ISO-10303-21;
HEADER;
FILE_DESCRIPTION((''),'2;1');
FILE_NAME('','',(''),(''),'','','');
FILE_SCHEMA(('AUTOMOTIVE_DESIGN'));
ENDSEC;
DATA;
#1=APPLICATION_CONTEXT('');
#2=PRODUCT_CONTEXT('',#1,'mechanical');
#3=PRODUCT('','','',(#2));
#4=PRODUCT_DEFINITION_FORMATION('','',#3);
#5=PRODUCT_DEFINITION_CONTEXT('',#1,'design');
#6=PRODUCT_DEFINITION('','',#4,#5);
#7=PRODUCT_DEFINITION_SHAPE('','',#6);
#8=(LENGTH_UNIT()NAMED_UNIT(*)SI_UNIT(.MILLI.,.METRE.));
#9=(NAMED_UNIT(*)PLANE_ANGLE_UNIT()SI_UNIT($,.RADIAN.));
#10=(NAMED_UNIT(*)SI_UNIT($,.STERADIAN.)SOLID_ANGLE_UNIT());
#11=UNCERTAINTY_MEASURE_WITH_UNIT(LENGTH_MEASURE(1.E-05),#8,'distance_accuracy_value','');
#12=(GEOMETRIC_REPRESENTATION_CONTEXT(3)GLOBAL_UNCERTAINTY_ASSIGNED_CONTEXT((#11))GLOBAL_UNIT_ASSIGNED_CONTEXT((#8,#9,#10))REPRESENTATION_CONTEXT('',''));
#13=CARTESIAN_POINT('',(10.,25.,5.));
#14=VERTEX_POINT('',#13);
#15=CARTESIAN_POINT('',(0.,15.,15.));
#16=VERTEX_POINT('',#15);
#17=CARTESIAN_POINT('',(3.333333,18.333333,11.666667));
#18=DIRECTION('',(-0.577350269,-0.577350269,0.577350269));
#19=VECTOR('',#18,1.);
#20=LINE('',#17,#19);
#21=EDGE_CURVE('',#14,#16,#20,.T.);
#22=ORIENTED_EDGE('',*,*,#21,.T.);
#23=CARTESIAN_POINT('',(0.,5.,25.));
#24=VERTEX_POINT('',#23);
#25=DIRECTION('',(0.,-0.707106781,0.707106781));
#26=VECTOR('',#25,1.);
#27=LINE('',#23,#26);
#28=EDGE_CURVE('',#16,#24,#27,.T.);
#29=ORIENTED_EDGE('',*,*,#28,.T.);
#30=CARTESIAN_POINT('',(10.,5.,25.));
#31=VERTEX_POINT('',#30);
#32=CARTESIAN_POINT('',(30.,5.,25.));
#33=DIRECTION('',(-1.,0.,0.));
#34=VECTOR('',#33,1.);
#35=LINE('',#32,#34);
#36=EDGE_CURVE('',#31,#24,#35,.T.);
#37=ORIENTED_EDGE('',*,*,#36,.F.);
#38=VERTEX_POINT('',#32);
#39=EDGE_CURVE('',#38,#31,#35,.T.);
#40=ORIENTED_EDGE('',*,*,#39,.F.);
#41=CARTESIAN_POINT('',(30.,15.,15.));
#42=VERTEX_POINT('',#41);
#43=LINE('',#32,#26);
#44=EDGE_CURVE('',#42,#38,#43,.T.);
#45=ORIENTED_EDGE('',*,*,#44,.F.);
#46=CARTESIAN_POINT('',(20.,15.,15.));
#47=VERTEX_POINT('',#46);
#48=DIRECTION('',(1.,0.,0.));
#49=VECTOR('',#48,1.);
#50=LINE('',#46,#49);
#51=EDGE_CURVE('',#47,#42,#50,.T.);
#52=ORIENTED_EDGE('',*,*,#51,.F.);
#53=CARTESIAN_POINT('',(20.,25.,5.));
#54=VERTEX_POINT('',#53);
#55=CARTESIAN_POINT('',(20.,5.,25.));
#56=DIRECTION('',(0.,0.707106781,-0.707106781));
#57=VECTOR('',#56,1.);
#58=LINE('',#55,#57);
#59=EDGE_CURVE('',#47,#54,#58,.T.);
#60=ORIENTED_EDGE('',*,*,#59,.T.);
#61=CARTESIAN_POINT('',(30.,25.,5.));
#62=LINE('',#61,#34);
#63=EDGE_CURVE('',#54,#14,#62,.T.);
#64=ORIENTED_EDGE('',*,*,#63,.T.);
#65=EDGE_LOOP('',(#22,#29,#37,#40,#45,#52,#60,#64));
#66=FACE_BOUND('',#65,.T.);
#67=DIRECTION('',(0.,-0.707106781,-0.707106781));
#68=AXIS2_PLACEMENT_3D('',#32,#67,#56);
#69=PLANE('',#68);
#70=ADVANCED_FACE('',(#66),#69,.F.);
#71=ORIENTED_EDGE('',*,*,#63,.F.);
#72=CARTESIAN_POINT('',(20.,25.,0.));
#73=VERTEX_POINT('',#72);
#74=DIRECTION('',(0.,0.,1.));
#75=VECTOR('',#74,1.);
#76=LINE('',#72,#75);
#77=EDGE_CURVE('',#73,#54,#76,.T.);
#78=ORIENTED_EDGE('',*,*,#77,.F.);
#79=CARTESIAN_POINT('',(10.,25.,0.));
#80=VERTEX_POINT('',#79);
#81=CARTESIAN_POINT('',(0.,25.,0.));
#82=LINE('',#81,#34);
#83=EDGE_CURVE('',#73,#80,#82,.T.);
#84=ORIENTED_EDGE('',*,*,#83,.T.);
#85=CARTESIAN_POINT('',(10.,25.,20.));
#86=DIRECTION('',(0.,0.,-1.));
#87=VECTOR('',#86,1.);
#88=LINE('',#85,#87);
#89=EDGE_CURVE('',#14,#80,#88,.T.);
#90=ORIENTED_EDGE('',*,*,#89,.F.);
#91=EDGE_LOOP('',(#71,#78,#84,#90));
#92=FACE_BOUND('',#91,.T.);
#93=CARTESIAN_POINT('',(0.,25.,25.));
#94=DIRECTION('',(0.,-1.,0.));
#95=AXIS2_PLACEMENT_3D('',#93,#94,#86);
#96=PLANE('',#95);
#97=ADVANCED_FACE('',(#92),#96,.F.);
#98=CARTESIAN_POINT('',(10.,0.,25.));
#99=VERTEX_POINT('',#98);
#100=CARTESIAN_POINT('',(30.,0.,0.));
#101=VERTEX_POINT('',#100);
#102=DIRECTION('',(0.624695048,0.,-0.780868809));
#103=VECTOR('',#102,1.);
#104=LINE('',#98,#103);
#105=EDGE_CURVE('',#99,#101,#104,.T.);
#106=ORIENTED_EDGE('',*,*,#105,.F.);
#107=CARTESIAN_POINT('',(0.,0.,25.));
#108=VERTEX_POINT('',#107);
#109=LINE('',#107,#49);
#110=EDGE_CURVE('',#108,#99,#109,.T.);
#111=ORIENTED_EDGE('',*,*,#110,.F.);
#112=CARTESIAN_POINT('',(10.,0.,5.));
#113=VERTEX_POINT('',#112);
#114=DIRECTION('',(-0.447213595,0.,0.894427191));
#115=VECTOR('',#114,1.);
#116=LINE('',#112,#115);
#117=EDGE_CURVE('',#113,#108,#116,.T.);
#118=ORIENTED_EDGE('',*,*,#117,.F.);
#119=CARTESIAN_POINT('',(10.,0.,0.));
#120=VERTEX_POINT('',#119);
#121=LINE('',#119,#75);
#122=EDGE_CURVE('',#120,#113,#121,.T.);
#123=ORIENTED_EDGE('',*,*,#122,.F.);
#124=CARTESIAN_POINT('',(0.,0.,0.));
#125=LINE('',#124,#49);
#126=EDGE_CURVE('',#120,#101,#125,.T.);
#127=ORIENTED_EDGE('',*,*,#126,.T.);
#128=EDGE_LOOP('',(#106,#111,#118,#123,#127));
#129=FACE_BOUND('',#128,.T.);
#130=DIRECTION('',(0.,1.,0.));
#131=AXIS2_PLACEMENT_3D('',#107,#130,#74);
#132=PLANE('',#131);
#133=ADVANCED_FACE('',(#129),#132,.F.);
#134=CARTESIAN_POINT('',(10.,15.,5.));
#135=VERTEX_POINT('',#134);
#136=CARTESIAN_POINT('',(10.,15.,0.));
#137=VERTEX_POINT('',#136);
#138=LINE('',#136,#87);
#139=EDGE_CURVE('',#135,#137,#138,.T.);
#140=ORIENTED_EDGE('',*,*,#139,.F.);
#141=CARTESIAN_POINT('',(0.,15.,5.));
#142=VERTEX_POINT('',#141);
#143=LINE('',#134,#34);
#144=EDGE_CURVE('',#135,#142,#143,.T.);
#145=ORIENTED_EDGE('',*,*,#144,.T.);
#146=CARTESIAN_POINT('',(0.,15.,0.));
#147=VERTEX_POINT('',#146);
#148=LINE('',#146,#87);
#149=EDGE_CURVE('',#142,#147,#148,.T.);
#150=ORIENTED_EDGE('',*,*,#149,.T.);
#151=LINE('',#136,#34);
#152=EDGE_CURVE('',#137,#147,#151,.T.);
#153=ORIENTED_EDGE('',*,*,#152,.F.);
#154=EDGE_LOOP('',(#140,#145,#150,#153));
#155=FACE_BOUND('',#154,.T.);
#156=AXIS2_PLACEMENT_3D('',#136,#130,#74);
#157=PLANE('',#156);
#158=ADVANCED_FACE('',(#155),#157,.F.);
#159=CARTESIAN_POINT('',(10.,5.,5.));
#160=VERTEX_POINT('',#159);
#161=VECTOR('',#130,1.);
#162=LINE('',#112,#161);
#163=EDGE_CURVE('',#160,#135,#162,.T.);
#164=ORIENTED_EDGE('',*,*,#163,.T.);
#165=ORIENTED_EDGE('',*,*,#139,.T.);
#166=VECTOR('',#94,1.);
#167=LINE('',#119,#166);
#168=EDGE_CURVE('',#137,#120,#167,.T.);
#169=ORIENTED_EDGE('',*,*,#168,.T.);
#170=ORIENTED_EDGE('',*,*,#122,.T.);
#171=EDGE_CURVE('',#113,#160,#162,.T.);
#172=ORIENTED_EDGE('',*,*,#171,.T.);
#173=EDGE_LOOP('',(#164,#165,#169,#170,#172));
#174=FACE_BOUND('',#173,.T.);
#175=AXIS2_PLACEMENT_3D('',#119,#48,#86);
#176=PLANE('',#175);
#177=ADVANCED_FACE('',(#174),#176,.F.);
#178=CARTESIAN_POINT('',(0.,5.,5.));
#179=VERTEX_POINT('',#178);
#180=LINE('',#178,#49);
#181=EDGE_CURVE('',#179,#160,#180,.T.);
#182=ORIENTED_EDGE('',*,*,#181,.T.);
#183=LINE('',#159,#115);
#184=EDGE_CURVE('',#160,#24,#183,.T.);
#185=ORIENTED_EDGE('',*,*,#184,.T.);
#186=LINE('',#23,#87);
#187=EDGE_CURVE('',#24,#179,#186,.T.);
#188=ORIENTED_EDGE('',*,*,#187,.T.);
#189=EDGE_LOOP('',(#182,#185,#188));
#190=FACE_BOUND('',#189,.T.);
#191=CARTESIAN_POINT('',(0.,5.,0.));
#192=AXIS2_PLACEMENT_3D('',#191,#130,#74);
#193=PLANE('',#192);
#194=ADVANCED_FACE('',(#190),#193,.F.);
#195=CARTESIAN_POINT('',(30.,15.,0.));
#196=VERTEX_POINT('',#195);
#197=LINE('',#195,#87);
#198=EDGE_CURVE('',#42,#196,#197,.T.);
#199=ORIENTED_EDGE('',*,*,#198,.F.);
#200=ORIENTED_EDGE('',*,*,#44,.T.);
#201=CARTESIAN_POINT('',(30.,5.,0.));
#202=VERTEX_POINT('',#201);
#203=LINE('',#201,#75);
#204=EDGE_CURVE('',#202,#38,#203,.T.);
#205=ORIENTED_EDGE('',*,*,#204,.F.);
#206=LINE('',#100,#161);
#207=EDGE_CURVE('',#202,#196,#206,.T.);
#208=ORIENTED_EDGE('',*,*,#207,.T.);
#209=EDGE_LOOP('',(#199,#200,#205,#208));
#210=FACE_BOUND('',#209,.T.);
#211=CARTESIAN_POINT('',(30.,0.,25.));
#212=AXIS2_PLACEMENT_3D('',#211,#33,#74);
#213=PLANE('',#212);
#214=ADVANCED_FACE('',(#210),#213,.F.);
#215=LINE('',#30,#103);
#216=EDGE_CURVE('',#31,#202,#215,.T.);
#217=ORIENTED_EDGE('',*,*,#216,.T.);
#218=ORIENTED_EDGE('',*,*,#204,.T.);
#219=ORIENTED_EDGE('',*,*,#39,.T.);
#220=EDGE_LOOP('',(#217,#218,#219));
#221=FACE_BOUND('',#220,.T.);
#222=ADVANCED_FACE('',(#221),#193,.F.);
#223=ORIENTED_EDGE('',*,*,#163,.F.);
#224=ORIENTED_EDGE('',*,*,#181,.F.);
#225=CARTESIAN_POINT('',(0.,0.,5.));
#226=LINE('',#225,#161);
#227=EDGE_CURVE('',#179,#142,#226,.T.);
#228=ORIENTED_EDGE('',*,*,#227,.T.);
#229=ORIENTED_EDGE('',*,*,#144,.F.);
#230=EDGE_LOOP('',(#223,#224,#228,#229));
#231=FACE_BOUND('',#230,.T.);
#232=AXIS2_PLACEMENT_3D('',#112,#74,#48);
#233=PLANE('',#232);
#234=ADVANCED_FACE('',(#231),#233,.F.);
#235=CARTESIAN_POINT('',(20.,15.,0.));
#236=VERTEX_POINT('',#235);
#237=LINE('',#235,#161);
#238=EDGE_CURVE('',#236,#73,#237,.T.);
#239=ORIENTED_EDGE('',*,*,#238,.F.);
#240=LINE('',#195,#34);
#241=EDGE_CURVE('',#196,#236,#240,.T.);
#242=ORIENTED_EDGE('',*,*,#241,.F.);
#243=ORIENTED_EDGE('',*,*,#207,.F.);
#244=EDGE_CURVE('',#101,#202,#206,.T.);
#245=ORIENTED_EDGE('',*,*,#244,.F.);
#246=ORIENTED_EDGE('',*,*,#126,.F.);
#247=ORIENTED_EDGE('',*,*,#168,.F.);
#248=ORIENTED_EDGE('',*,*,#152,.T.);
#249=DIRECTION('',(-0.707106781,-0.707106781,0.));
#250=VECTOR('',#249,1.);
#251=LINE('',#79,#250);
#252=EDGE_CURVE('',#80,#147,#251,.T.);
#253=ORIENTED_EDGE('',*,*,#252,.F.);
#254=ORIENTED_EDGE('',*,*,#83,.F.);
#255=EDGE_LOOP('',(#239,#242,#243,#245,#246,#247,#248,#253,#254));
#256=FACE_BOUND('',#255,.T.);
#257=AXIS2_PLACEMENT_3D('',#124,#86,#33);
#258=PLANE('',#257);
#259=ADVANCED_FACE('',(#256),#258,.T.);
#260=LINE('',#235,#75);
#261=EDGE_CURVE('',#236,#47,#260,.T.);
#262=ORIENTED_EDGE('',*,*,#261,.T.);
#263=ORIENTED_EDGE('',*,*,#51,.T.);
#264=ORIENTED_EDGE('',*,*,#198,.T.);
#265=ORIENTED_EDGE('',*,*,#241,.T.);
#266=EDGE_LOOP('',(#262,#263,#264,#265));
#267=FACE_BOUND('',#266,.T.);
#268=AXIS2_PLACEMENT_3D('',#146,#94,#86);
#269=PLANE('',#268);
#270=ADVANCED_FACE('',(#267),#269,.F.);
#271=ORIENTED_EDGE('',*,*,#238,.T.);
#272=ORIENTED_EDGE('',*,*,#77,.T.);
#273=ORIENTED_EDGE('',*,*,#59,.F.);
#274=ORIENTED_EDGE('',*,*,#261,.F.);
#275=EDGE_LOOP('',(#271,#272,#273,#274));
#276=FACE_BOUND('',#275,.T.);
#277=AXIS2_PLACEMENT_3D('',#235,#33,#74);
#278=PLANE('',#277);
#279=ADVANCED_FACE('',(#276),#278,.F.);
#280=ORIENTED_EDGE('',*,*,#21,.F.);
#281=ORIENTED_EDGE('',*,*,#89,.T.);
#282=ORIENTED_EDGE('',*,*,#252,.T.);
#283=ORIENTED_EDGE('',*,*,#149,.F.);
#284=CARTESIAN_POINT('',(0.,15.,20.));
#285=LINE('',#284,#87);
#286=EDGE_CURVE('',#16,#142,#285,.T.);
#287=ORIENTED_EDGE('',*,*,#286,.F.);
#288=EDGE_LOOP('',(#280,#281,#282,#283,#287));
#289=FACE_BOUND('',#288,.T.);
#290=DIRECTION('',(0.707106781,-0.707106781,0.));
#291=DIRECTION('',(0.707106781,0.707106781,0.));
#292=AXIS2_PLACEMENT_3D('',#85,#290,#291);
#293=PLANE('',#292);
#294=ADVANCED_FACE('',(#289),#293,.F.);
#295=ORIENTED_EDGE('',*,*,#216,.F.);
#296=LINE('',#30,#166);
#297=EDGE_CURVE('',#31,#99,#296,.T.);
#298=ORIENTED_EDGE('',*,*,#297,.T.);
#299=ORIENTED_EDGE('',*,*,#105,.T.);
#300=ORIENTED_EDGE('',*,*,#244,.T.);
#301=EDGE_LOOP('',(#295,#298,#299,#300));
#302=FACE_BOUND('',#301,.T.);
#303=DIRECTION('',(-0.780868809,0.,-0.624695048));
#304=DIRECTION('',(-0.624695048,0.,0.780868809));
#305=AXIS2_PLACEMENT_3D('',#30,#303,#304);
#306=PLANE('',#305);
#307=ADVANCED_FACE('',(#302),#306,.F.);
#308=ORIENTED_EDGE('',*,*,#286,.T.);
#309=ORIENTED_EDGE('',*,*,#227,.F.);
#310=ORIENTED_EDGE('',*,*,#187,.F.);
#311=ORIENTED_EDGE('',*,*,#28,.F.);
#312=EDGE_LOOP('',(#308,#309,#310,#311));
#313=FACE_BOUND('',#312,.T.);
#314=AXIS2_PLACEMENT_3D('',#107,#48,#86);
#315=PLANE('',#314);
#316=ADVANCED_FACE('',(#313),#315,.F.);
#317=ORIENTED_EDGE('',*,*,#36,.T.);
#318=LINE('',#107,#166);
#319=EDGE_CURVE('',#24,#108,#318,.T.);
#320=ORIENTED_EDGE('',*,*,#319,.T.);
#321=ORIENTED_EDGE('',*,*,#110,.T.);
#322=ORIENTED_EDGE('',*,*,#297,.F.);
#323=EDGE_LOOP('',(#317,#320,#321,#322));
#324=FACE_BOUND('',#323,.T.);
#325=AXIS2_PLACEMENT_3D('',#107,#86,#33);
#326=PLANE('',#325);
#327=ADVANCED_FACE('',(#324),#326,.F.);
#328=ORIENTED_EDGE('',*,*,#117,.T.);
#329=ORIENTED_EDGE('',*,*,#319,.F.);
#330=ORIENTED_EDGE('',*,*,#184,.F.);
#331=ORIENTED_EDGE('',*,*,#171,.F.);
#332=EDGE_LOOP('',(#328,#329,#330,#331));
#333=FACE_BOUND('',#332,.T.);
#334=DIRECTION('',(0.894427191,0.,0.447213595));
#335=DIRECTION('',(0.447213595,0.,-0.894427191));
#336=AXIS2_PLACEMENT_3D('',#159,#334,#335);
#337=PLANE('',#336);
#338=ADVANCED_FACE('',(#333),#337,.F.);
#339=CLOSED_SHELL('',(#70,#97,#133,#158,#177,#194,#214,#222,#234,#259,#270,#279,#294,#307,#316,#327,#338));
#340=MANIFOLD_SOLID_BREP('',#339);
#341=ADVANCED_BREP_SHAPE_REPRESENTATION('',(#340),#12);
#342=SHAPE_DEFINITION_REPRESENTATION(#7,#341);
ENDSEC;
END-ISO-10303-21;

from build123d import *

# Parameters (mm, degrees)
SKETCH5_W           = 30
SKETCH5_H           = 25
BOSS_EXTRUDE2_DEPTH = 25
CUT_EXTRUDE2_DEPTH  = 30
SKETCH7_W           = 5
SKETCH7_H           = 15
CUT_EXTRUDE3_DEPTH  = 10
CUT_EXTRUDE4_DEPTH  = 5
SKETCH12_W          = 10
SKETCH12_H          = 10
CUT_EXTRUDE7_DEPTH  = 10
CUT_EXTRUDE8_DEPTH  = 10
CUT_EXTRUDE9_DEPTH  = 20
CUT_EXTRUDE12_DEPTH = 5


with BuildPart() as part:
    # Sketch5 → Boss-Extrude2 (new body)
    with BuildSketch(Plane.XY):
        with Locations((15, 12.5)):
            Rectangle(SKETCH5_W, SKETCH5_H)
    extrude(amount=BOSS_EXTRUDE2_DEPTH)

    # Sketch6 → Cut-Extrude2 (cut)
    with BuildSketch(Plane.ZY):
        Polygon((25, 25), (25, 5), (5, 25), align=None)
    extrude(amount=-CUT_EXTRUDE2_DEPTH, mode=Mode.SUBTRACT)

    # Sketch7 → Cut-Extrude3 (cut)
    with BuildSketch(Plane.ZY):
        with Locations((2.5, 7.5)):
            Rectangle(SKETCH7_W, SKETCH7_H)
    extrude(amount=-CUT_EXTRUDE3_DEPTH, mode=Mode.SUBTRACT)

    # Sketch9 → Cut-Extrude4 (cut)
    with BuildSketch(Plane(origin=(0, 0, 0), x_dir=(-1, 0, 0), z_dir=(0, -1, 0))):
        Polygon((0, -25), (0, -5), (-10, -5), align=None)
    extrude(amount=-CUT_EXTRUDE4_DEPTH, mode=Mode.SUBTRACT)

    # Sketch12 → Cut-Extrude7 (cut)
    with BuildSketch(Plane(origin=(0, 25, 0), x_dir=(1, 0, 0), z_dir=(0, 1, 0))):
        with Locations((25, -5)):
            Rectangle(SKETCH12_W, SKETCH12_H)
    extrude(amount=-CUT_EXTRUDE7_DEPTH, mode=Mode.SUBTRACT)

    # Sketch13 → Cut-Extrude8 (cut)
    with BuildSketch(Plane(origin=(30, 0, 0), x_dir=(0, 0, -1), z_dir=(1, 0, 0))):
        Polygon((-10, 15), (-15, 15), (-10, 20), align=None)
    extrude(amount=-CUT_EXTRUDE8_DEPTH, mode=Mode.SUBTRACT)

    # Sketch14 → Cut-Extrude9 (cut)
    with BuildSketch(Plane(origin=(0, 0, 0), x_dir=(-1, 0, 0), z_dir=(0, 0, -1))):
        Polygon((0, 25), (-10, 25), (0, 15), align=None)
    extrude(amount=-CUT_EXTRUDE9_DEPTH, mode=Mode.SUBTRACT)

    # Sketch15 → Cut-Extrude12 (cut)
    with BuildSketch(Plane(origin=(0, 0, 0), x_dir=(-1, 0, 0), z_dir=(0, -1, 0))):
        Polygon((-30, 0), (-30, -25), (-10, -25), align=None)
    extrude(amount=-CUT_EXTRUDE12_DEPTH, mode=Mode.SUBTRACT)


solid = part.part
